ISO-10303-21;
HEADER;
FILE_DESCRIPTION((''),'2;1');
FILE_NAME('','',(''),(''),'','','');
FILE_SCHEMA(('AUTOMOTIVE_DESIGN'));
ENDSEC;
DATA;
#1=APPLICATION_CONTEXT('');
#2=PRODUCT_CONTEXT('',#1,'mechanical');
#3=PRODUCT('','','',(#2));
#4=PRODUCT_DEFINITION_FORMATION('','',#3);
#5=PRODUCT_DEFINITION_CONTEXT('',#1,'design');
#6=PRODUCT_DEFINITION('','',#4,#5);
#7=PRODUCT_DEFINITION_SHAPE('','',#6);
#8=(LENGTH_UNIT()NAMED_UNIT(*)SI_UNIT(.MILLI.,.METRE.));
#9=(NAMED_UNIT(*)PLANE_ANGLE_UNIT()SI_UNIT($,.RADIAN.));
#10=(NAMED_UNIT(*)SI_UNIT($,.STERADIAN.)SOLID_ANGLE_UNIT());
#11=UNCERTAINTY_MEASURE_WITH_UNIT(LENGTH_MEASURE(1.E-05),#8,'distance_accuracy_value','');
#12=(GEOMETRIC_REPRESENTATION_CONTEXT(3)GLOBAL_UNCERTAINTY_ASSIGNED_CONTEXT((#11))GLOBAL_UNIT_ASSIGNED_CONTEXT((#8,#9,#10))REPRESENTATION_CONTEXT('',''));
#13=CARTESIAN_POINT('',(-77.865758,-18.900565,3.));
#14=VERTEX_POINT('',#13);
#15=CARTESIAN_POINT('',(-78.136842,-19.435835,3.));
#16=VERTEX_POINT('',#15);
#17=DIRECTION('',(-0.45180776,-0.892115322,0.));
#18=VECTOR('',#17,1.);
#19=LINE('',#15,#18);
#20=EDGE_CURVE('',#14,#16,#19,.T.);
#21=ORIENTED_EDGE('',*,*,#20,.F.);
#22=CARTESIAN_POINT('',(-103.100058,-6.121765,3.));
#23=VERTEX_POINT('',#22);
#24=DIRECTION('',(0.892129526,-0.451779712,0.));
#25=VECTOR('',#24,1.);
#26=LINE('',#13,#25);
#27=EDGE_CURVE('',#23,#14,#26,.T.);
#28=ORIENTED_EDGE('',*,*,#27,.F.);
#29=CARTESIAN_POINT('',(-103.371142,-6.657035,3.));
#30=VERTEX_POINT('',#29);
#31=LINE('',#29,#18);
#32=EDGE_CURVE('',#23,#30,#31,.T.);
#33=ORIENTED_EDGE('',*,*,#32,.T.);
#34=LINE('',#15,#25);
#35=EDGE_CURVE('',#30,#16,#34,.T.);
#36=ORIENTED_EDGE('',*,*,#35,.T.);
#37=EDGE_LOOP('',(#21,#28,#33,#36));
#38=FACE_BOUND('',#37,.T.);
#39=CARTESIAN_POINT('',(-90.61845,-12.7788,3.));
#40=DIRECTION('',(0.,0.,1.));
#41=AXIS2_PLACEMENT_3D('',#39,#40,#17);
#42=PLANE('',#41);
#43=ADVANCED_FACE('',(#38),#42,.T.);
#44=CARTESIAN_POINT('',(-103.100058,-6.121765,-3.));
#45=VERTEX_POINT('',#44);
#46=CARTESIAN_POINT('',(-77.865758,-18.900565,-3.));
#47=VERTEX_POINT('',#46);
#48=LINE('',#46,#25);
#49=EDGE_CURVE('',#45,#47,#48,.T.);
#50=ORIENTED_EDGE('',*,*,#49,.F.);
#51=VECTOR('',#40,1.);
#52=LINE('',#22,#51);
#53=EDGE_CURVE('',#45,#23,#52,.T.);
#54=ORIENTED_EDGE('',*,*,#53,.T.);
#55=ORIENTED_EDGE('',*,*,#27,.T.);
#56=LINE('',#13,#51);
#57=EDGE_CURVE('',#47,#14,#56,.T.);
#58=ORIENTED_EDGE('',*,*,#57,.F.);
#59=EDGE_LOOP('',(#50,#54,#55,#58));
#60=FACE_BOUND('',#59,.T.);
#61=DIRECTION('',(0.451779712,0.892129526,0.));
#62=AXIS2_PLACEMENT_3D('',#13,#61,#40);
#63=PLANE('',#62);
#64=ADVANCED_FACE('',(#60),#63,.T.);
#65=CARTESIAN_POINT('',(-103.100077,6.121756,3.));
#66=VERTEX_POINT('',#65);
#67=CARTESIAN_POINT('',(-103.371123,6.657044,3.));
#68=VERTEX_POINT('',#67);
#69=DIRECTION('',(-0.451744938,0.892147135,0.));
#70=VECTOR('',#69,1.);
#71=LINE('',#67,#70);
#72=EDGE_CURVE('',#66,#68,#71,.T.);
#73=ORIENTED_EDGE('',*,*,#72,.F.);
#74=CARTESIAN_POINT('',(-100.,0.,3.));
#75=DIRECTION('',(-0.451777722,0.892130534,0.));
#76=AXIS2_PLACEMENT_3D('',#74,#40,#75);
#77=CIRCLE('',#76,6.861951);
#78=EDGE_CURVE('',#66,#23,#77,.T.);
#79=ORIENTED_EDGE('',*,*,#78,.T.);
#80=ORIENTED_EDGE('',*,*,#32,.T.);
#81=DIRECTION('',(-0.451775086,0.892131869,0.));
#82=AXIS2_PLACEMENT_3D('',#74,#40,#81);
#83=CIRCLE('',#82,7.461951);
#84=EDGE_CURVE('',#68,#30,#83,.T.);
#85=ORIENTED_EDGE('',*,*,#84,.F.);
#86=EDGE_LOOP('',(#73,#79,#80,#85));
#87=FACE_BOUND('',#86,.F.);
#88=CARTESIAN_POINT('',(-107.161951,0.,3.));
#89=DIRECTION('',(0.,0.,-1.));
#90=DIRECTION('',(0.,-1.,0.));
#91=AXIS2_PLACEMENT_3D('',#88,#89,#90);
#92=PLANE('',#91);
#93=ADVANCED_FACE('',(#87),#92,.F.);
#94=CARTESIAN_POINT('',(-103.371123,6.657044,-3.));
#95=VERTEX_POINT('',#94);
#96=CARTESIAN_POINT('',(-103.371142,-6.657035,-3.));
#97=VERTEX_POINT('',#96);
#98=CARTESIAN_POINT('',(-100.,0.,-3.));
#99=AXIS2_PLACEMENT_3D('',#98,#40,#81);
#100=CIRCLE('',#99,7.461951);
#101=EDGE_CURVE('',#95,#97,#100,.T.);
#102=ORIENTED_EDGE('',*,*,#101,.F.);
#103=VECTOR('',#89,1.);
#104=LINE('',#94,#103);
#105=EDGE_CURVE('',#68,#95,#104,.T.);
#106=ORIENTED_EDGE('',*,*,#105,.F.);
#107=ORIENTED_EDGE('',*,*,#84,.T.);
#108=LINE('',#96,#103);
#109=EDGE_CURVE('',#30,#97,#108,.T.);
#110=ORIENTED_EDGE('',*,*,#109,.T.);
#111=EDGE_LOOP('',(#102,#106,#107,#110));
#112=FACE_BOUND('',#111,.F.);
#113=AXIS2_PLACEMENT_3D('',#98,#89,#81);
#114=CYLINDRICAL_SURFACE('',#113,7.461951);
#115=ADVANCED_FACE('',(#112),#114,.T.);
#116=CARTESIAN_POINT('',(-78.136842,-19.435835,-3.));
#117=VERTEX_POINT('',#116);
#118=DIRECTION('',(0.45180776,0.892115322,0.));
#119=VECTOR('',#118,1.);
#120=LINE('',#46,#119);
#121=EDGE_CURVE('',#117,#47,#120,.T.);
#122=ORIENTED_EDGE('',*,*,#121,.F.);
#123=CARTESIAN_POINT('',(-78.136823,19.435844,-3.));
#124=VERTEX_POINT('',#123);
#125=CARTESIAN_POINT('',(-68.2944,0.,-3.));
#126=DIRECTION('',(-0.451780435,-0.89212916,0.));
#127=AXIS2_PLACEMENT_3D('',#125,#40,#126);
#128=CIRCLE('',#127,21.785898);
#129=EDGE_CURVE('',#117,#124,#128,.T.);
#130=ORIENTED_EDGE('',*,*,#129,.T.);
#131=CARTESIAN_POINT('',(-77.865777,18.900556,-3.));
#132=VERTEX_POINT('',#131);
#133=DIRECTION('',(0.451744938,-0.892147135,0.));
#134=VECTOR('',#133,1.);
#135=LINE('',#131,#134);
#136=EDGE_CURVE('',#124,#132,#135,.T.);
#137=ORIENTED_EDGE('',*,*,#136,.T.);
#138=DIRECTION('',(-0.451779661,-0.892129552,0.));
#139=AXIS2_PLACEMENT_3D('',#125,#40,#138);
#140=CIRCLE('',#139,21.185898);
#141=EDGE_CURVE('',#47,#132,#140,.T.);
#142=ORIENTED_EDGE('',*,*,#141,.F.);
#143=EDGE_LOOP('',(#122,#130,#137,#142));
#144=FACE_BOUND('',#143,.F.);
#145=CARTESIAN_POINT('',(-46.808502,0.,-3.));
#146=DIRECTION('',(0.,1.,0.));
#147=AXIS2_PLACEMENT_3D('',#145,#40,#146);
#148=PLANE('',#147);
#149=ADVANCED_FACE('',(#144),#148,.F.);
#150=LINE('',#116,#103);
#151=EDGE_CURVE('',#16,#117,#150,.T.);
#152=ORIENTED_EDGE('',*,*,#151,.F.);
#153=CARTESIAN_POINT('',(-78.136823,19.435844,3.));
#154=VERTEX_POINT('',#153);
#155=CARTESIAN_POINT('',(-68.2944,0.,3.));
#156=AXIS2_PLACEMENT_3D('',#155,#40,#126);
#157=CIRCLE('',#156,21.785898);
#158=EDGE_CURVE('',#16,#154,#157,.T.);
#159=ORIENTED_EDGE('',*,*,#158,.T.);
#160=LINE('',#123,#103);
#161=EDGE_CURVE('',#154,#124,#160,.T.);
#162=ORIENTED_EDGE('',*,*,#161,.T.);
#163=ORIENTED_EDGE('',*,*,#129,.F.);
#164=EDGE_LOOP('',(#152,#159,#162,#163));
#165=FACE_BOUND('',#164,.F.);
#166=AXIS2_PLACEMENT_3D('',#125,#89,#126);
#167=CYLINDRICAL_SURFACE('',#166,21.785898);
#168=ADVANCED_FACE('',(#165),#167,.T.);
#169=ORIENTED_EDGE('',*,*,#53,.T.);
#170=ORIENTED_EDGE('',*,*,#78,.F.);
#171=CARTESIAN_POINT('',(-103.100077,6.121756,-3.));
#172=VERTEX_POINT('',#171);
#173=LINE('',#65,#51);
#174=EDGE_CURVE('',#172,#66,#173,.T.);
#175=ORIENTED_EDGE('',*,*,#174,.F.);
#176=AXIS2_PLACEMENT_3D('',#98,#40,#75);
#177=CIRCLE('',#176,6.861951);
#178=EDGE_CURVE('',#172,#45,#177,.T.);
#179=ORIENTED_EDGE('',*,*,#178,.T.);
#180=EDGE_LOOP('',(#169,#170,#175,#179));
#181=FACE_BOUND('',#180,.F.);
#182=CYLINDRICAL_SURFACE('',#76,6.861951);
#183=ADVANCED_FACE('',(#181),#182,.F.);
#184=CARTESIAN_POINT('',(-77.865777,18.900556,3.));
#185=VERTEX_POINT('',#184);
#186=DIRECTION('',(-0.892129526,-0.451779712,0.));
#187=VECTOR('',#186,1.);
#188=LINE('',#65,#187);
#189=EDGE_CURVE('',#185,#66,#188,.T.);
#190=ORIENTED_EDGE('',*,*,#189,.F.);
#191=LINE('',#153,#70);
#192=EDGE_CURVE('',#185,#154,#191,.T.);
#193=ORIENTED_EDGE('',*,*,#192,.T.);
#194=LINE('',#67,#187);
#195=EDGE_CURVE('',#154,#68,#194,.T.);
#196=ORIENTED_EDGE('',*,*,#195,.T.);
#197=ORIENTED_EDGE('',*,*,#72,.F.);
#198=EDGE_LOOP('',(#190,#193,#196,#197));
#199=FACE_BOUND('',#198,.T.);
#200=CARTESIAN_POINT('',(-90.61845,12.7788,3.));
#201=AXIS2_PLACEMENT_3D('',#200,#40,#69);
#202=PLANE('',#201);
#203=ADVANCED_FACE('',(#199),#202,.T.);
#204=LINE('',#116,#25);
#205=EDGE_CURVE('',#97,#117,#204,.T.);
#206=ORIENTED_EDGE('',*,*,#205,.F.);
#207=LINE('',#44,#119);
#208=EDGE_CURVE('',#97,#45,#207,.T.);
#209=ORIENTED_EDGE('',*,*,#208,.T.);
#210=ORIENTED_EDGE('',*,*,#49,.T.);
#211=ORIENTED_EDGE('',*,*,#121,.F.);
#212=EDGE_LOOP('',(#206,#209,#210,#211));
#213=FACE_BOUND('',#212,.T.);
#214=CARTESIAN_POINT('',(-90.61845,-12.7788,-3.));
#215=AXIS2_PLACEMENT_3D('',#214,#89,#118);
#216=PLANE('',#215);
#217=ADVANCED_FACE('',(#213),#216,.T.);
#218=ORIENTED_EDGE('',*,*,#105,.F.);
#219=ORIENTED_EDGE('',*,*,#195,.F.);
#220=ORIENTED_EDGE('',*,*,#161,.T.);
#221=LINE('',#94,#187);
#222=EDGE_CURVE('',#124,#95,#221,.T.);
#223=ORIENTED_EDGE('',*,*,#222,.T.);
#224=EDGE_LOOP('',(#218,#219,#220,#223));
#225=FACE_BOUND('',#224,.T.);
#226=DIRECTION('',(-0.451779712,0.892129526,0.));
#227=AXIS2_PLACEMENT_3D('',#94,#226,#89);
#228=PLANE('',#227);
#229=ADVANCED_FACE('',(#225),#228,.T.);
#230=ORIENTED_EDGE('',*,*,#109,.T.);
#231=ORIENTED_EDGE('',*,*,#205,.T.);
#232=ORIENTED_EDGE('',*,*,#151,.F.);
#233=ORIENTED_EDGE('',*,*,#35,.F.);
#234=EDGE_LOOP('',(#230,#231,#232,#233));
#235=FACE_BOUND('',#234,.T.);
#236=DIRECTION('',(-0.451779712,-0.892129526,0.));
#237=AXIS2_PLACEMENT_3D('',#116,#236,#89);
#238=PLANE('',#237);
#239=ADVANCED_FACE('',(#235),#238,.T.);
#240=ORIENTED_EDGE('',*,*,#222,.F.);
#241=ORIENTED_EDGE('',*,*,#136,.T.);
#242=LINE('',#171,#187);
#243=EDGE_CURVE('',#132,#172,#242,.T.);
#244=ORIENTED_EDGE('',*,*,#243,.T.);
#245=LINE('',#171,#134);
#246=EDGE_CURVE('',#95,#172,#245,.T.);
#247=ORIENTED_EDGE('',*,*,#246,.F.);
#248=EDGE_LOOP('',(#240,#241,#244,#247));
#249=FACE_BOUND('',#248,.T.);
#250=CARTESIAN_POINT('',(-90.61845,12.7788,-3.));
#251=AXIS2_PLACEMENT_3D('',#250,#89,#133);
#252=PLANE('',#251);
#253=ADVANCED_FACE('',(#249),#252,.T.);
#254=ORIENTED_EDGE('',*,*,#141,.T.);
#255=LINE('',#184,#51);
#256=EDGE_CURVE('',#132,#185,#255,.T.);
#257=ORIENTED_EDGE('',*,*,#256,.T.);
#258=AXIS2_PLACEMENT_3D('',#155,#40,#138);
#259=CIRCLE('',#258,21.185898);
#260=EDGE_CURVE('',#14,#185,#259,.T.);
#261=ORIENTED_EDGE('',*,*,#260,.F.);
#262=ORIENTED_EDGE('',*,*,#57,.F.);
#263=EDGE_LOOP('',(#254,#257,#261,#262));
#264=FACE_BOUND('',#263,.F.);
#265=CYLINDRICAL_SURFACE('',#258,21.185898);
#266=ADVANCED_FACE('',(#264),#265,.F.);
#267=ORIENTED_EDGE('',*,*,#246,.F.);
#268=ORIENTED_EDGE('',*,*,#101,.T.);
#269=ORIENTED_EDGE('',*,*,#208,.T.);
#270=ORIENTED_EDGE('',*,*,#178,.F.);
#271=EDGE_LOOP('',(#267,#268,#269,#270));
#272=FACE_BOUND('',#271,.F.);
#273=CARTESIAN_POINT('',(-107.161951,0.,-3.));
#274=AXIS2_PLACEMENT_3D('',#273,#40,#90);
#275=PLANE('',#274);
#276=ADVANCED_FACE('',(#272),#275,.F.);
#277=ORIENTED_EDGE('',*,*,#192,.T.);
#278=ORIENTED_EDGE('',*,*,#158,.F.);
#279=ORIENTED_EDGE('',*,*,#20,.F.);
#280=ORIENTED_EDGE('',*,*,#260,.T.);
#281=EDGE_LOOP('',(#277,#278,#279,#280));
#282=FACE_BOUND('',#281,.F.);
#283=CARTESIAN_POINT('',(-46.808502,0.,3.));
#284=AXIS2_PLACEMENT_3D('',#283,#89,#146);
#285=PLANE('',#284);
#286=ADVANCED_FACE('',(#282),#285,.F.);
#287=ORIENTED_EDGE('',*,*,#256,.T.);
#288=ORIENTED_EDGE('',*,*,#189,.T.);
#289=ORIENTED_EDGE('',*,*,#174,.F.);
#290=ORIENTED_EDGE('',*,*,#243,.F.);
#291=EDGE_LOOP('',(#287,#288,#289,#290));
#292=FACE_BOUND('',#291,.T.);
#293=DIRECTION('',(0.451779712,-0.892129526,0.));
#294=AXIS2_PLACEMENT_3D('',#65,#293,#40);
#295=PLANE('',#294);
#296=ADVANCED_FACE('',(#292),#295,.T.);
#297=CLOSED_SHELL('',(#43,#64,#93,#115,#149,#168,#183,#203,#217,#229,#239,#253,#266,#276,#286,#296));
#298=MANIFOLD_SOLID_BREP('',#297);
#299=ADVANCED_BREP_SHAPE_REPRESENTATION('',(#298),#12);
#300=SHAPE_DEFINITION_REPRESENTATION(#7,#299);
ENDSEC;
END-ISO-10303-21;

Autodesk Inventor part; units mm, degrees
sketch "Skizzenpfad" plane through (0, 0, 0) normal (0, 0, 1) x (1, 0, 0)
  arc A0 (-103.2356, 6.3894) -> (-103.2356, -6.3894) centre (-100, 0) ccw
  arc A1 (-78.0013, -19.1682) -> (-78.0013, 19.1682) centre (-68.2944, 0) ccw
  line L0 (-78.0013, -19.1682) -> (-103.2356, -6.3894)
  line L1 (-103.2356, 6.3894) -> (-78.0013, 19.1682)
ref_plane "Querschnittsebene" through (-103.2356, -6.3894, 0) normal (0.8921, -0.4518, 0) x (0, 0, 1)
ref_plane "Arbeitsebene2" through (-100, 0, 0) normal (-1, 0, 0) x (0, 0, 1)
ref_plane "Arbeitsebene3" through (-68.2944, 0, 0) normal (-0.8936, -0.4488, 0) x (0, 0, 1)
sketch "Querschnitt" plane through (-103.2356, -6.3894, 0) normal (0.8921, -0.4518, 0) x (0, 0, 1)
  line L0 (-3, 0.3) -> (3, 0.3)
  line L1 (3, 0.3) -> (3, -0.3)
  line L2 (3, -0.3) -> (-3, -0.3)
  line L3 (-3, -0.3) -> (-3, 0.3)
  line L4 (-3, 0) -> (3, 0) construction
  point P0 (0, 0)
  point P1 (0, 0)
  dimension "d0" = 6
  dimension "d4" = 0.3
  dimension "d5" = 0.3
sweep "Riemen" add profiles "Querschnitt" path "Skizzenpfad"
equation "\"d0\" = da_B"
equation "\"d4\" = da_a"
equation "\"d5\" = da_a2"
equation "\"da_B\" = 6"
equation "\"da_pb\" = 2.5"
equation "\"da_a\" = 0.3"
equation "\"da_S\" = 1.5"
equation "\"da_Beta\" = 20deg"
equation "\"da_Ht\" = 0.7"
equation "\"da_H\" = 1.3"
equation "\"da_a2\" = 0.3"
properties part number "Zahnriemen" material "Rubber"
